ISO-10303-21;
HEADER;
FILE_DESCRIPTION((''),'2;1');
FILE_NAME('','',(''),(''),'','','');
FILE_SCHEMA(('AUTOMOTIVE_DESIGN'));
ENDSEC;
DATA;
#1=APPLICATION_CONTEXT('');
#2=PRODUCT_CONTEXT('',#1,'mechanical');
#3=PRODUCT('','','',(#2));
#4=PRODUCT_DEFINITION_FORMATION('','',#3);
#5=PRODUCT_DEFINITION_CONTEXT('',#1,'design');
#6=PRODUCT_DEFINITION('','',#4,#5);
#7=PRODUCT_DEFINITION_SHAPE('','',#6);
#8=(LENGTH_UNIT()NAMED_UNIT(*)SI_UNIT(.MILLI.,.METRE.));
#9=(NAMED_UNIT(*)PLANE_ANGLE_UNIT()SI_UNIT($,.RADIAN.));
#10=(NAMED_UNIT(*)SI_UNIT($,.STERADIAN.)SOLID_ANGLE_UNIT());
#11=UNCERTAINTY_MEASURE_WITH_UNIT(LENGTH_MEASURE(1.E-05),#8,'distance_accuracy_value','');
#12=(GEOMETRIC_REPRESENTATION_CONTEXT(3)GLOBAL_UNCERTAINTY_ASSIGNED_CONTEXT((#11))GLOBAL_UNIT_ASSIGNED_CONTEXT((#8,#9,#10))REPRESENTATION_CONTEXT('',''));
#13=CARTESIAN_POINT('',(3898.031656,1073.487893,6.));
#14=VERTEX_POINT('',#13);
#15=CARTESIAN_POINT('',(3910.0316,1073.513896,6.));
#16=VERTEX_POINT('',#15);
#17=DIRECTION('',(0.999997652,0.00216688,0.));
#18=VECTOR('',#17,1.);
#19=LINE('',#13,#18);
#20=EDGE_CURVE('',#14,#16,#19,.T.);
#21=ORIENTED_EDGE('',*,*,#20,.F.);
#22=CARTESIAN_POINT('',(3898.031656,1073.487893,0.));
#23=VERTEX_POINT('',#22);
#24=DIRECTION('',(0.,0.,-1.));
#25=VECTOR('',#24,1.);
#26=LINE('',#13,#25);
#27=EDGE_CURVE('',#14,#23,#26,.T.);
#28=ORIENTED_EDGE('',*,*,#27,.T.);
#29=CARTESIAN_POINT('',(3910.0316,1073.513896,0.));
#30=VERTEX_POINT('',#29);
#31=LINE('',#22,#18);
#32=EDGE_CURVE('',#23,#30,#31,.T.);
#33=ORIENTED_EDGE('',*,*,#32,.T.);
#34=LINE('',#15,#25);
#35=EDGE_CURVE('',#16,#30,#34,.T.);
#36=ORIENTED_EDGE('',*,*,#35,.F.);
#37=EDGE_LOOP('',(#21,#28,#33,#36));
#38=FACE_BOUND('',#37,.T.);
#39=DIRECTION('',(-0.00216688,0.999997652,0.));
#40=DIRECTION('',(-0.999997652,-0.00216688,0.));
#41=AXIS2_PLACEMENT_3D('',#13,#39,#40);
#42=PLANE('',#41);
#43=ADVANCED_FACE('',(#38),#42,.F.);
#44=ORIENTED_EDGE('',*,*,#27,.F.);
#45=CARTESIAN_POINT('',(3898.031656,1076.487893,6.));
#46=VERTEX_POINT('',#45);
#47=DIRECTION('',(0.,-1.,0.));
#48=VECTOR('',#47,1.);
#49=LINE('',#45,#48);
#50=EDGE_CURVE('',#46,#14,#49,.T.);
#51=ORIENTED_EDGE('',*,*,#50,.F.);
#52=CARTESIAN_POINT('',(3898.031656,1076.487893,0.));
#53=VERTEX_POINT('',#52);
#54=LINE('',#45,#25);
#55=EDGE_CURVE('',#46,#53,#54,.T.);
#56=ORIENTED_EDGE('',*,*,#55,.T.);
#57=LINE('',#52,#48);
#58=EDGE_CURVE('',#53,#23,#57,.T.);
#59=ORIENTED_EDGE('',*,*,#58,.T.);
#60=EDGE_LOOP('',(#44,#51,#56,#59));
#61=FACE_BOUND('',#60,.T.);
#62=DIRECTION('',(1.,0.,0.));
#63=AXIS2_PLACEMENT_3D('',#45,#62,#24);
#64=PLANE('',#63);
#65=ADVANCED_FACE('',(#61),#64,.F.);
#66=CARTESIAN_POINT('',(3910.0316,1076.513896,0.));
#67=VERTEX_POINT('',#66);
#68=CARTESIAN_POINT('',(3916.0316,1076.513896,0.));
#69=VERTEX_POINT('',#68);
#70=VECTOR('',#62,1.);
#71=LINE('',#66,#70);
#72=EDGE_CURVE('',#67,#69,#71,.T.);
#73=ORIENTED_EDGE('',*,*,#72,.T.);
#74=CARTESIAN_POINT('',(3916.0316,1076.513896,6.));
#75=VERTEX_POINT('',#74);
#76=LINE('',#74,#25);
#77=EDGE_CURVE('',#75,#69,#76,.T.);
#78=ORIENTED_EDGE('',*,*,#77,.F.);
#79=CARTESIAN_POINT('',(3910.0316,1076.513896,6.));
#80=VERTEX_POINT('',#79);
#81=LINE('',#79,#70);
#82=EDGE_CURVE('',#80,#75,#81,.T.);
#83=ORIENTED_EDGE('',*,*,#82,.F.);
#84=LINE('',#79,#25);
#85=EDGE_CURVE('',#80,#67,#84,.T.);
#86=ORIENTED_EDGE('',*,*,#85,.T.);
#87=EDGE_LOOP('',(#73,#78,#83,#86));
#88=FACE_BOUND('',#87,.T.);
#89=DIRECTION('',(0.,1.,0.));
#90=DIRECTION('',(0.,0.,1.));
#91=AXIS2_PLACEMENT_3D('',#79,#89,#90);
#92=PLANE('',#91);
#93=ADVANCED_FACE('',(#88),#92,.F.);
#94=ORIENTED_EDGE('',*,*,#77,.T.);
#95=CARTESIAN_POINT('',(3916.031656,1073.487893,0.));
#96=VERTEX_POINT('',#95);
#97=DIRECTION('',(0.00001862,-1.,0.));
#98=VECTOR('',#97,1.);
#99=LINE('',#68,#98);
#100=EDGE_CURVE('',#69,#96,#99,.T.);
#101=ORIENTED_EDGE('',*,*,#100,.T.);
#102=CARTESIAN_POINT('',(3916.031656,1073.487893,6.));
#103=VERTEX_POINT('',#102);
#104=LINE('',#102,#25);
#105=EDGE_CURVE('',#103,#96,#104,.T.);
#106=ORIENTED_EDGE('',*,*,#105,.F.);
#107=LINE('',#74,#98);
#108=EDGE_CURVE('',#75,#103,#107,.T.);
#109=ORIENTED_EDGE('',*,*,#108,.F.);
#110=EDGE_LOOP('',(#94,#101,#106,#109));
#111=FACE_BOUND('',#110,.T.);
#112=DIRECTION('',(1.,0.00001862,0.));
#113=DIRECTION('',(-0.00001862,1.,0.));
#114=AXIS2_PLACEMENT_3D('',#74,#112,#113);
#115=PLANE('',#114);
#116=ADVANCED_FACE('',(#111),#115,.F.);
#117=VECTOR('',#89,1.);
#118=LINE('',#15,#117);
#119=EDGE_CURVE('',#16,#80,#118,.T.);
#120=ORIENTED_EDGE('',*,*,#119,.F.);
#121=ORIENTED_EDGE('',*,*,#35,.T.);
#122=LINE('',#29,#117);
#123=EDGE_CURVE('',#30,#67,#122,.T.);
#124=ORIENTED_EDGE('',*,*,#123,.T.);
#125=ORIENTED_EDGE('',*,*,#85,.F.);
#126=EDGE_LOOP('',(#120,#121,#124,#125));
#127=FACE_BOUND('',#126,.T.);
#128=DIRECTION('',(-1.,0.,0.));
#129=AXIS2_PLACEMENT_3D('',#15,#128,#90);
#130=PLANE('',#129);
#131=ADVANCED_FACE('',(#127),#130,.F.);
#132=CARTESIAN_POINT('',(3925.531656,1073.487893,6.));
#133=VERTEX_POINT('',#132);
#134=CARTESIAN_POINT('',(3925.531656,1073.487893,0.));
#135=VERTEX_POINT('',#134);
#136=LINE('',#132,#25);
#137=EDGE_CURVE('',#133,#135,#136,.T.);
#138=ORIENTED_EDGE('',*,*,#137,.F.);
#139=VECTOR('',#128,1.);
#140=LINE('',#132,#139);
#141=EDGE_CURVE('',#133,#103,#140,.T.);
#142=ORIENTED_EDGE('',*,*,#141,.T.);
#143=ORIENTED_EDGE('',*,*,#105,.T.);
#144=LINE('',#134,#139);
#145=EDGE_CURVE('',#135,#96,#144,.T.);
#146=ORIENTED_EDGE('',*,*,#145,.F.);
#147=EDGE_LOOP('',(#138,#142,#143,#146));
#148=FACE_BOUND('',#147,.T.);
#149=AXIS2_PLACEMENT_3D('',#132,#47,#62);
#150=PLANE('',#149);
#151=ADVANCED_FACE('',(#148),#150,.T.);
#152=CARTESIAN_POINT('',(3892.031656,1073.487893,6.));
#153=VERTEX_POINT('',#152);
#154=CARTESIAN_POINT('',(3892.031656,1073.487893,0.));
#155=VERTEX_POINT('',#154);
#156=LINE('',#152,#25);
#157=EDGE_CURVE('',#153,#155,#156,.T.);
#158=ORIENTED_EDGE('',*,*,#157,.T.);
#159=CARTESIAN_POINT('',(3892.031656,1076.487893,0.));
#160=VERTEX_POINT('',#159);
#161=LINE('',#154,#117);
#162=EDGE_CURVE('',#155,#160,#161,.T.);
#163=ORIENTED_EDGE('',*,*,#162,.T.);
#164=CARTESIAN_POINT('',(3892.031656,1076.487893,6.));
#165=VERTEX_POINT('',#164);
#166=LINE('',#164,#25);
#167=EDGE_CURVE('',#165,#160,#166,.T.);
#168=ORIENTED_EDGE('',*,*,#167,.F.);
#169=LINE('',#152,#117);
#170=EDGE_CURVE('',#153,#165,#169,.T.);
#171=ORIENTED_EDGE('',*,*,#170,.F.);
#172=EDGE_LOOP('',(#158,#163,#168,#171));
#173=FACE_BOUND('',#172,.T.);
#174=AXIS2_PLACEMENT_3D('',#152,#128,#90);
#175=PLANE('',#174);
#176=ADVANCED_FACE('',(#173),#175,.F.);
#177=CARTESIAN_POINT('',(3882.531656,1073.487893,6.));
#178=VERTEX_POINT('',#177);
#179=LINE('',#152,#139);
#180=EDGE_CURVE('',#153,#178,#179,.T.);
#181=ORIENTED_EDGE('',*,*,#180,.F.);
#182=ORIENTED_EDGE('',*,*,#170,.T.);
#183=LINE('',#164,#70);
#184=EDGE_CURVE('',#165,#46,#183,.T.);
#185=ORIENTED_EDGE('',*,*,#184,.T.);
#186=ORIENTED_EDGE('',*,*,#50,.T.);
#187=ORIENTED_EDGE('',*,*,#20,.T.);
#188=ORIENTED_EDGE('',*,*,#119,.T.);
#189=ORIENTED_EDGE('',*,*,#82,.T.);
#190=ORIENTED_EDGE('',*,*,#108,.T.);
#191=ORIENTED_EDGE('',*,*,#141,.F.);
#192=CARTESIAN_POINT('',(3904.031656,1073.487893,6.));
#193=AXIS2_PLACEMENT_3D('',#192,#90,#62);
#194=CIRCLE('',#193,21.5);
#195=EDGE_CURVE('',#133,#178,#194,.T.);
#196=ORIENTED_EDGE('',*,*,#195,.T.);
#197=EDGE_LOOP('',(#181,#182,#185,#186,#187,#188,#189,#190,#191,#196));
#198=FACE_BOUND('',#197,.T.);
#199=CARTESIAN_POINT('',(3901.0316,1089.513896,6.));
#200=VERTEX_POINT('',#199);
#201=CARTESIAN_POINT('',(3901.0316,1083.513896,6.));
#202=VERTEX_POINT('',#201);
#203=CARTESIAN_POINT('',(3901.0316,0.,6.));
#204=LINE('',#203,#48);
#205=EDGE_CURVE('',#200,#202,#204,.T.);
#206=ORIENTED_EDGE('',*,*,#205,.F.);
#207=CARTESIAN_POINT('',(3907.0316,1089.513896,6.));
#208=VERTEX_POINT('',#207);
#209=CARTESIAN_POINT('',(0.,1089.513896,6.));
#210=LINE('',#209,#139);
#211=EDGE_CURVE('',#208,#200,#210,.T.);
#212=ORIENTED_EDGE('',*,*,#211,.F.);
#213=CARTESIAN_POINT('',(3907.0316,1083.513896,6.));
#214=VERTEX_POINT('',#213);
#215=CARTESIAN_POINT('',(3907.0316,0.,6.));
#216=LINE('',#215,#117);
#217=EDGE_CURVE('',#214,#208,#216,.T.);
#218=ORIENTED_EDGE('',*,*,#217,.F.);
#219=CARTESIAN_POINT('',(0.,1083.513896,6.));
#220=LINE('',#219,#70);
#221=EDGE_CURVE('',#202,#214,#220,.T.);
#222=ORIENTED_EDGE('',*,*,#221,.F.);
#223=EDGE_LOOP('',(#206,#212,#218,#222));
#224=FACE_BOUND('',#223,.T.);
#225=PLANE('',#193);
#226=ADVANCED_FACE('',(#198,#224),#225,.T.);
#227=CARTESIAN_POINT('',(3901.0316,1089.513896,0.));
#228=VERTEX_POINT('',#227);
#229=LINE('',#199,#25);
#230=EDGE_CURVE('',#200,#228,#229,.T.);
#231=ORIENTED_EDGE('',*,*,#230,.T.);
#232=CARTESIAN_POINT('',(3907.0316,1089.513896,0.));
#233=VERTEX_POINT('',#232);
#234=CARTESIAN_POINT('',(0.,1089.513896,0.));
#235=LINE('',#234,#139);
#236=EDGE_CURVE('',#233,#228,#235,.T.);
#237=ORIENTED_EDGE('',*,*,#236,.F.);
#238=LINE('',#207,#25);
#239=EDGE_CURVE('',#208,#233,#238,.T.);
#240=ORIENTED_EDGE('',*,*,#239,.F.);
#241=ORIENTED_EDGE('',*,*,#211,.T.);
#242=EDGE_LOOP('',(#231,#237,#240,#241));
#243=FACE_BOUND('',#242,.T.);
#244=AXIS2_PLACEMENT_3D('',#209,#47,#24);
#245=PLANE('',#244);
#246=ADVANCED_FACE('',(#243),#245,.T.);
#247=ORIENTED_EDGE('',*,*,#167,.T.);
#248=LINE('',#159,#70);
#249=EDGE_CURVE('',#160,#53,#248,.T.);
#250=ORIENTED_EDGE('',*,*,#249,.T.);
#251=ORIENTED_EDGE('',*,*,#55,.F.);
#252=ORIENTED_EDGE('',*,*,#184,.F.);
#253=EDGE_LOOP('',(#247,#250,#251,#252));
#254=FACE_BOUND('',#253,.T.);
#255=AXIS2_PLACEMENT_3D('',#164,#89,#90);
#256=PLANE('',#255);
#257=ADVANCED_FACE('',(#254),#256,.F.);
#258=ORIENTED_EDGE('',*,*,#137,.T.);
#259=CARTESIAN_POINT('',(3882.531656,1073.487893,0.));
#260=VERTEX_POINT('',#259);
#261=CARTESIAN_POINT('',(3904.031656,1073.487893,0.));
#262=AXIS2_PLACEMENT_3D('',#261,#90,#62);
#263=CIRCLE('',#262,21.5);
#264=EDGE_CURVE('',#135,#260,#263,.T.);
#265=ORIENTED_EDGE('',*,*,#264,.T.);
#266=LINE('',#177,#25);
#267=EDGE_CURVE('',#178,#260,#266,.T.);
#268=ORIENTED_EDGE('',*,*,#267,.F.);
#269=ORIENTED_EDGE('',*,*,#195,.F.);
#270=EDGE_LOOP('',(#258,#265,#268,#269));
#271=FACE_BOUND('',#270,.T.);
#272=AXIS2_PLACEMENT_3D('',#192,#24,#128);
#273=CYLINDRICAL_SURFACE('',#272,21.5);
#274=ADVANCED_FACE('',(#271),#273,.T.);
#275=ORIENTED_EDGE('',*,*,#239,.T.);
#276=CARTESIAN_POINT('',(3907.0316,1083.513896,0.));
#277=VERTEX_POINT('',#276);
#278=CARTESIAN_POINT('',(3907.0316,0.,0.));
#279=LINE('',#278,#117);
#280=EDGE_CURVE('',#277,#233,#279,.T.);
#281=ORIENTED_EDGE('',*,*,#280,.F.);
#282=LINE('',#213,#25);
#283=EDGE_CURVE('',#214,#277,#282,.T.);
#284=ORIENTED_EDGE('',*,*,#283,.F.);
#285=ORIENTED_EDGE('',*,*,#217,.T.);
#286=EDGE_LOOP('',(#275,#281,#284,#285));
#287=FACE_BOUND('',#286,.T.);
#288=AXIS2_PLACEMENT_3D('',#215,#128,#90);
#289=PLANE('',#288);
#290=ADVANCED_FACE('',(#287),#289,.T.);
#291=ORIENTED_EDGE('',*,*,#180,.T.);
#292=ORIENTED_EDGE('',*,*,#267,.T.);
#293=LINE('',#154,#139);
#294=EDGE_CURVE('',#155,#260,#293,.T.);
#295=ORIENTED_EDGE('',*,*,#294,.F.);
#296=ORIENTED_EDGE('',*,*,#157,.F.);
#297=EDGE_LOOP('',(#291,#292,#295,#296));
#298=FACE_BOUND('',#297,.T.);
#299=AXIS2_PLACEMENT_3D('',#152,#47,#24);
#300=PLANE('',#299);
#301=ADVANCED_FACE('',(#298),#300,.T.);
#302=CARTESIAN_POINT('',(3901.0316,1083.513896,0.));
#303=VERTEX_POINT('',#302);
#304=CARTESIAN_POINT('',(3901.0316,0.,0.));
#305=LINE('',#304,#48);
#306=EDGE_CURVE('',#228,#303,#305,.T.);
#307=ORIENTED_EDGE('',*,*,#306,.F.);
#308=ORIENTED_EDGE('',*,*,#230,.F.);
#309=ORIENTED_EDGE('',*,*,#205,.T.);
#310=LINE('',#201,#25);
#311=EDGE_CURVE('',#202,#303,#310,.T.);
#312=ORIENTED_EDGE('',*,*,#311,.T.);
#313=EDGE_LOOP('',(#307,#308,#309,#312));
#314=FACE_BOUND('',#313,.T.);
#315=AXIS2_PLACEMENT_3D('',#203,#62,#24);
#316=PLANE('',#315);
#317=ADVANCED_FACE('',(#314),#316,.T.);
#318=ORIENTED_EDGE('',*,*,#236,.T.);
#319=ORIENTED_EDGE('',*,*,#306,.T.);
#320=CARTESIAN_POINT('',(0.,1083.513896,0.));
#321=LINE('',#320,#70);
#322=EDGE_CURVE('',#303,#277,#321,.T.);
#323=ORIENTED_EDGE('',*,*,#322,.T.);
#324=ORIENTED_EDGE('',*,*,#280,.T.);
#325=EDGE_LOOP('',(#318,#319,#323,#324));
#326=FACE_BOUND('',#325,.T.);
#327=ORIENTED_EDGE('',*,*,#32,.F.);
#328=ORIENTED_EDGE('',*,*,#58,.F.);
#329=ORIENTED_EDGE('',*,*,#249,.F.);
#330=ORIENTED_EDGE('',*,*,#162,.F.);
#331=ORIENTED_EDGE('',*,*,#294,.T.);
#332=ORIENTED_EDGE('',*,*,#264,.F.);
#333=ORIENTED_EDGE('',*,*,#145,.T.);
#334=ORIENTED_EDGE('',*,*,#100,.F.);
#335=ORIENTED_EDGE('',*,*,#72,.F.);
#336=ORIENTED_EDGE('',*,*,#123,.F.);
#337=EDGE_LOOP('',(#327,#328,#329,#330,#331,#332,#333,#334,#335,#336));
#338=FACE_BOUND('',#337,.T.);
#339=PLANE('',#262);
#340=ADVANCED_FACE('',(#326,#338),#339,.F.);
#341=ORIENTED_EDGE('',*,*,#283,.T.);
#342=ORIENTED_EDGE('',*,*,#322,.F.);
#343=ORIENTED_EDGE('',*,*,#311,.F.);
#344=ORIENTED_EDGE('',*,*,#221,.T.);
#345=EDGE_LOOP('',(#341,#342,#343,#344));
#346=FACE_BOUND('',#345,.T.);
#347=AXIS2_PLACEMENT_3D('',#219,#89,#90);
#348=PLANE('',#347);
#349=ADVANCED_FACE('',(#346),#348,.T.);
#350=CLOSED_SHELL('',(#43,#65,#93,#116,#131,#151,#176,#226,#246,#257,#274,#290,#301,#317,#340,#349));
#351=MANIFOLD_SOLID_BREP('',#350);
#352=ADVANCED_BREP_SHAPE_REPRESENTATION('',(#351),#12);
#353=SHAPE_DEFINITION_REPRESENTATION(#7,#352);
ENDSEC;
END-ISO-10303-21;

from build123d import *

# Parameters (mm, degrees)
MODEL_W             = 6
MODEL_H             = 6
BOSS_EXTRUDE1_DEPTH = 6


with BuildPart() as part:
    # Model → Boss-Extrude1 (new body)
    with BuildSketch(Plane.XY):
        with BuildLine():
            Line((3925.531656445, 1073.487893097), (3916.031656445, 1073.487893097))
            Line((3916.031656445, 1073.487893097), (3916.0316001, 1076.513895594))
            Line((3916.0316001, 1076.513895594), (3910.0316001, 1076.513895594))
            Line((3910.0316001, 1076.513895594), (3910.0316001, 1073.513895594))
            Line((3910.0316001, 1073.513895594), (3898.031656445, 1073.487893097))
            Line((3898.031656445, 1073.487893097), (3898.031656445, 1076.487893097))
            Line((3898.031656445, 1076.487893097), (3892.031656445, 1076.487893097))
            Line((3892.031656445, 1076.487893097), (3892.031656445, 1073.487893097))
            Line((3892.031656445, 1073.487893097), (3882.531656445, 1073.487893097))
            ThreePointArc((3882.531656445, 1073.487893097), (3904.031656445, 1094.987893097), (3925.531656445, 1073.487893097))
        make_face()
        with Locations((3904.0316001, 1086.513895594)):
            Rectangle(MODEL_W, MODEL_H, mode=Mode.SUBTRACT)
    extrude(amount=BOSS_EXTRUDE1_DEPTH)


solid = part.part
